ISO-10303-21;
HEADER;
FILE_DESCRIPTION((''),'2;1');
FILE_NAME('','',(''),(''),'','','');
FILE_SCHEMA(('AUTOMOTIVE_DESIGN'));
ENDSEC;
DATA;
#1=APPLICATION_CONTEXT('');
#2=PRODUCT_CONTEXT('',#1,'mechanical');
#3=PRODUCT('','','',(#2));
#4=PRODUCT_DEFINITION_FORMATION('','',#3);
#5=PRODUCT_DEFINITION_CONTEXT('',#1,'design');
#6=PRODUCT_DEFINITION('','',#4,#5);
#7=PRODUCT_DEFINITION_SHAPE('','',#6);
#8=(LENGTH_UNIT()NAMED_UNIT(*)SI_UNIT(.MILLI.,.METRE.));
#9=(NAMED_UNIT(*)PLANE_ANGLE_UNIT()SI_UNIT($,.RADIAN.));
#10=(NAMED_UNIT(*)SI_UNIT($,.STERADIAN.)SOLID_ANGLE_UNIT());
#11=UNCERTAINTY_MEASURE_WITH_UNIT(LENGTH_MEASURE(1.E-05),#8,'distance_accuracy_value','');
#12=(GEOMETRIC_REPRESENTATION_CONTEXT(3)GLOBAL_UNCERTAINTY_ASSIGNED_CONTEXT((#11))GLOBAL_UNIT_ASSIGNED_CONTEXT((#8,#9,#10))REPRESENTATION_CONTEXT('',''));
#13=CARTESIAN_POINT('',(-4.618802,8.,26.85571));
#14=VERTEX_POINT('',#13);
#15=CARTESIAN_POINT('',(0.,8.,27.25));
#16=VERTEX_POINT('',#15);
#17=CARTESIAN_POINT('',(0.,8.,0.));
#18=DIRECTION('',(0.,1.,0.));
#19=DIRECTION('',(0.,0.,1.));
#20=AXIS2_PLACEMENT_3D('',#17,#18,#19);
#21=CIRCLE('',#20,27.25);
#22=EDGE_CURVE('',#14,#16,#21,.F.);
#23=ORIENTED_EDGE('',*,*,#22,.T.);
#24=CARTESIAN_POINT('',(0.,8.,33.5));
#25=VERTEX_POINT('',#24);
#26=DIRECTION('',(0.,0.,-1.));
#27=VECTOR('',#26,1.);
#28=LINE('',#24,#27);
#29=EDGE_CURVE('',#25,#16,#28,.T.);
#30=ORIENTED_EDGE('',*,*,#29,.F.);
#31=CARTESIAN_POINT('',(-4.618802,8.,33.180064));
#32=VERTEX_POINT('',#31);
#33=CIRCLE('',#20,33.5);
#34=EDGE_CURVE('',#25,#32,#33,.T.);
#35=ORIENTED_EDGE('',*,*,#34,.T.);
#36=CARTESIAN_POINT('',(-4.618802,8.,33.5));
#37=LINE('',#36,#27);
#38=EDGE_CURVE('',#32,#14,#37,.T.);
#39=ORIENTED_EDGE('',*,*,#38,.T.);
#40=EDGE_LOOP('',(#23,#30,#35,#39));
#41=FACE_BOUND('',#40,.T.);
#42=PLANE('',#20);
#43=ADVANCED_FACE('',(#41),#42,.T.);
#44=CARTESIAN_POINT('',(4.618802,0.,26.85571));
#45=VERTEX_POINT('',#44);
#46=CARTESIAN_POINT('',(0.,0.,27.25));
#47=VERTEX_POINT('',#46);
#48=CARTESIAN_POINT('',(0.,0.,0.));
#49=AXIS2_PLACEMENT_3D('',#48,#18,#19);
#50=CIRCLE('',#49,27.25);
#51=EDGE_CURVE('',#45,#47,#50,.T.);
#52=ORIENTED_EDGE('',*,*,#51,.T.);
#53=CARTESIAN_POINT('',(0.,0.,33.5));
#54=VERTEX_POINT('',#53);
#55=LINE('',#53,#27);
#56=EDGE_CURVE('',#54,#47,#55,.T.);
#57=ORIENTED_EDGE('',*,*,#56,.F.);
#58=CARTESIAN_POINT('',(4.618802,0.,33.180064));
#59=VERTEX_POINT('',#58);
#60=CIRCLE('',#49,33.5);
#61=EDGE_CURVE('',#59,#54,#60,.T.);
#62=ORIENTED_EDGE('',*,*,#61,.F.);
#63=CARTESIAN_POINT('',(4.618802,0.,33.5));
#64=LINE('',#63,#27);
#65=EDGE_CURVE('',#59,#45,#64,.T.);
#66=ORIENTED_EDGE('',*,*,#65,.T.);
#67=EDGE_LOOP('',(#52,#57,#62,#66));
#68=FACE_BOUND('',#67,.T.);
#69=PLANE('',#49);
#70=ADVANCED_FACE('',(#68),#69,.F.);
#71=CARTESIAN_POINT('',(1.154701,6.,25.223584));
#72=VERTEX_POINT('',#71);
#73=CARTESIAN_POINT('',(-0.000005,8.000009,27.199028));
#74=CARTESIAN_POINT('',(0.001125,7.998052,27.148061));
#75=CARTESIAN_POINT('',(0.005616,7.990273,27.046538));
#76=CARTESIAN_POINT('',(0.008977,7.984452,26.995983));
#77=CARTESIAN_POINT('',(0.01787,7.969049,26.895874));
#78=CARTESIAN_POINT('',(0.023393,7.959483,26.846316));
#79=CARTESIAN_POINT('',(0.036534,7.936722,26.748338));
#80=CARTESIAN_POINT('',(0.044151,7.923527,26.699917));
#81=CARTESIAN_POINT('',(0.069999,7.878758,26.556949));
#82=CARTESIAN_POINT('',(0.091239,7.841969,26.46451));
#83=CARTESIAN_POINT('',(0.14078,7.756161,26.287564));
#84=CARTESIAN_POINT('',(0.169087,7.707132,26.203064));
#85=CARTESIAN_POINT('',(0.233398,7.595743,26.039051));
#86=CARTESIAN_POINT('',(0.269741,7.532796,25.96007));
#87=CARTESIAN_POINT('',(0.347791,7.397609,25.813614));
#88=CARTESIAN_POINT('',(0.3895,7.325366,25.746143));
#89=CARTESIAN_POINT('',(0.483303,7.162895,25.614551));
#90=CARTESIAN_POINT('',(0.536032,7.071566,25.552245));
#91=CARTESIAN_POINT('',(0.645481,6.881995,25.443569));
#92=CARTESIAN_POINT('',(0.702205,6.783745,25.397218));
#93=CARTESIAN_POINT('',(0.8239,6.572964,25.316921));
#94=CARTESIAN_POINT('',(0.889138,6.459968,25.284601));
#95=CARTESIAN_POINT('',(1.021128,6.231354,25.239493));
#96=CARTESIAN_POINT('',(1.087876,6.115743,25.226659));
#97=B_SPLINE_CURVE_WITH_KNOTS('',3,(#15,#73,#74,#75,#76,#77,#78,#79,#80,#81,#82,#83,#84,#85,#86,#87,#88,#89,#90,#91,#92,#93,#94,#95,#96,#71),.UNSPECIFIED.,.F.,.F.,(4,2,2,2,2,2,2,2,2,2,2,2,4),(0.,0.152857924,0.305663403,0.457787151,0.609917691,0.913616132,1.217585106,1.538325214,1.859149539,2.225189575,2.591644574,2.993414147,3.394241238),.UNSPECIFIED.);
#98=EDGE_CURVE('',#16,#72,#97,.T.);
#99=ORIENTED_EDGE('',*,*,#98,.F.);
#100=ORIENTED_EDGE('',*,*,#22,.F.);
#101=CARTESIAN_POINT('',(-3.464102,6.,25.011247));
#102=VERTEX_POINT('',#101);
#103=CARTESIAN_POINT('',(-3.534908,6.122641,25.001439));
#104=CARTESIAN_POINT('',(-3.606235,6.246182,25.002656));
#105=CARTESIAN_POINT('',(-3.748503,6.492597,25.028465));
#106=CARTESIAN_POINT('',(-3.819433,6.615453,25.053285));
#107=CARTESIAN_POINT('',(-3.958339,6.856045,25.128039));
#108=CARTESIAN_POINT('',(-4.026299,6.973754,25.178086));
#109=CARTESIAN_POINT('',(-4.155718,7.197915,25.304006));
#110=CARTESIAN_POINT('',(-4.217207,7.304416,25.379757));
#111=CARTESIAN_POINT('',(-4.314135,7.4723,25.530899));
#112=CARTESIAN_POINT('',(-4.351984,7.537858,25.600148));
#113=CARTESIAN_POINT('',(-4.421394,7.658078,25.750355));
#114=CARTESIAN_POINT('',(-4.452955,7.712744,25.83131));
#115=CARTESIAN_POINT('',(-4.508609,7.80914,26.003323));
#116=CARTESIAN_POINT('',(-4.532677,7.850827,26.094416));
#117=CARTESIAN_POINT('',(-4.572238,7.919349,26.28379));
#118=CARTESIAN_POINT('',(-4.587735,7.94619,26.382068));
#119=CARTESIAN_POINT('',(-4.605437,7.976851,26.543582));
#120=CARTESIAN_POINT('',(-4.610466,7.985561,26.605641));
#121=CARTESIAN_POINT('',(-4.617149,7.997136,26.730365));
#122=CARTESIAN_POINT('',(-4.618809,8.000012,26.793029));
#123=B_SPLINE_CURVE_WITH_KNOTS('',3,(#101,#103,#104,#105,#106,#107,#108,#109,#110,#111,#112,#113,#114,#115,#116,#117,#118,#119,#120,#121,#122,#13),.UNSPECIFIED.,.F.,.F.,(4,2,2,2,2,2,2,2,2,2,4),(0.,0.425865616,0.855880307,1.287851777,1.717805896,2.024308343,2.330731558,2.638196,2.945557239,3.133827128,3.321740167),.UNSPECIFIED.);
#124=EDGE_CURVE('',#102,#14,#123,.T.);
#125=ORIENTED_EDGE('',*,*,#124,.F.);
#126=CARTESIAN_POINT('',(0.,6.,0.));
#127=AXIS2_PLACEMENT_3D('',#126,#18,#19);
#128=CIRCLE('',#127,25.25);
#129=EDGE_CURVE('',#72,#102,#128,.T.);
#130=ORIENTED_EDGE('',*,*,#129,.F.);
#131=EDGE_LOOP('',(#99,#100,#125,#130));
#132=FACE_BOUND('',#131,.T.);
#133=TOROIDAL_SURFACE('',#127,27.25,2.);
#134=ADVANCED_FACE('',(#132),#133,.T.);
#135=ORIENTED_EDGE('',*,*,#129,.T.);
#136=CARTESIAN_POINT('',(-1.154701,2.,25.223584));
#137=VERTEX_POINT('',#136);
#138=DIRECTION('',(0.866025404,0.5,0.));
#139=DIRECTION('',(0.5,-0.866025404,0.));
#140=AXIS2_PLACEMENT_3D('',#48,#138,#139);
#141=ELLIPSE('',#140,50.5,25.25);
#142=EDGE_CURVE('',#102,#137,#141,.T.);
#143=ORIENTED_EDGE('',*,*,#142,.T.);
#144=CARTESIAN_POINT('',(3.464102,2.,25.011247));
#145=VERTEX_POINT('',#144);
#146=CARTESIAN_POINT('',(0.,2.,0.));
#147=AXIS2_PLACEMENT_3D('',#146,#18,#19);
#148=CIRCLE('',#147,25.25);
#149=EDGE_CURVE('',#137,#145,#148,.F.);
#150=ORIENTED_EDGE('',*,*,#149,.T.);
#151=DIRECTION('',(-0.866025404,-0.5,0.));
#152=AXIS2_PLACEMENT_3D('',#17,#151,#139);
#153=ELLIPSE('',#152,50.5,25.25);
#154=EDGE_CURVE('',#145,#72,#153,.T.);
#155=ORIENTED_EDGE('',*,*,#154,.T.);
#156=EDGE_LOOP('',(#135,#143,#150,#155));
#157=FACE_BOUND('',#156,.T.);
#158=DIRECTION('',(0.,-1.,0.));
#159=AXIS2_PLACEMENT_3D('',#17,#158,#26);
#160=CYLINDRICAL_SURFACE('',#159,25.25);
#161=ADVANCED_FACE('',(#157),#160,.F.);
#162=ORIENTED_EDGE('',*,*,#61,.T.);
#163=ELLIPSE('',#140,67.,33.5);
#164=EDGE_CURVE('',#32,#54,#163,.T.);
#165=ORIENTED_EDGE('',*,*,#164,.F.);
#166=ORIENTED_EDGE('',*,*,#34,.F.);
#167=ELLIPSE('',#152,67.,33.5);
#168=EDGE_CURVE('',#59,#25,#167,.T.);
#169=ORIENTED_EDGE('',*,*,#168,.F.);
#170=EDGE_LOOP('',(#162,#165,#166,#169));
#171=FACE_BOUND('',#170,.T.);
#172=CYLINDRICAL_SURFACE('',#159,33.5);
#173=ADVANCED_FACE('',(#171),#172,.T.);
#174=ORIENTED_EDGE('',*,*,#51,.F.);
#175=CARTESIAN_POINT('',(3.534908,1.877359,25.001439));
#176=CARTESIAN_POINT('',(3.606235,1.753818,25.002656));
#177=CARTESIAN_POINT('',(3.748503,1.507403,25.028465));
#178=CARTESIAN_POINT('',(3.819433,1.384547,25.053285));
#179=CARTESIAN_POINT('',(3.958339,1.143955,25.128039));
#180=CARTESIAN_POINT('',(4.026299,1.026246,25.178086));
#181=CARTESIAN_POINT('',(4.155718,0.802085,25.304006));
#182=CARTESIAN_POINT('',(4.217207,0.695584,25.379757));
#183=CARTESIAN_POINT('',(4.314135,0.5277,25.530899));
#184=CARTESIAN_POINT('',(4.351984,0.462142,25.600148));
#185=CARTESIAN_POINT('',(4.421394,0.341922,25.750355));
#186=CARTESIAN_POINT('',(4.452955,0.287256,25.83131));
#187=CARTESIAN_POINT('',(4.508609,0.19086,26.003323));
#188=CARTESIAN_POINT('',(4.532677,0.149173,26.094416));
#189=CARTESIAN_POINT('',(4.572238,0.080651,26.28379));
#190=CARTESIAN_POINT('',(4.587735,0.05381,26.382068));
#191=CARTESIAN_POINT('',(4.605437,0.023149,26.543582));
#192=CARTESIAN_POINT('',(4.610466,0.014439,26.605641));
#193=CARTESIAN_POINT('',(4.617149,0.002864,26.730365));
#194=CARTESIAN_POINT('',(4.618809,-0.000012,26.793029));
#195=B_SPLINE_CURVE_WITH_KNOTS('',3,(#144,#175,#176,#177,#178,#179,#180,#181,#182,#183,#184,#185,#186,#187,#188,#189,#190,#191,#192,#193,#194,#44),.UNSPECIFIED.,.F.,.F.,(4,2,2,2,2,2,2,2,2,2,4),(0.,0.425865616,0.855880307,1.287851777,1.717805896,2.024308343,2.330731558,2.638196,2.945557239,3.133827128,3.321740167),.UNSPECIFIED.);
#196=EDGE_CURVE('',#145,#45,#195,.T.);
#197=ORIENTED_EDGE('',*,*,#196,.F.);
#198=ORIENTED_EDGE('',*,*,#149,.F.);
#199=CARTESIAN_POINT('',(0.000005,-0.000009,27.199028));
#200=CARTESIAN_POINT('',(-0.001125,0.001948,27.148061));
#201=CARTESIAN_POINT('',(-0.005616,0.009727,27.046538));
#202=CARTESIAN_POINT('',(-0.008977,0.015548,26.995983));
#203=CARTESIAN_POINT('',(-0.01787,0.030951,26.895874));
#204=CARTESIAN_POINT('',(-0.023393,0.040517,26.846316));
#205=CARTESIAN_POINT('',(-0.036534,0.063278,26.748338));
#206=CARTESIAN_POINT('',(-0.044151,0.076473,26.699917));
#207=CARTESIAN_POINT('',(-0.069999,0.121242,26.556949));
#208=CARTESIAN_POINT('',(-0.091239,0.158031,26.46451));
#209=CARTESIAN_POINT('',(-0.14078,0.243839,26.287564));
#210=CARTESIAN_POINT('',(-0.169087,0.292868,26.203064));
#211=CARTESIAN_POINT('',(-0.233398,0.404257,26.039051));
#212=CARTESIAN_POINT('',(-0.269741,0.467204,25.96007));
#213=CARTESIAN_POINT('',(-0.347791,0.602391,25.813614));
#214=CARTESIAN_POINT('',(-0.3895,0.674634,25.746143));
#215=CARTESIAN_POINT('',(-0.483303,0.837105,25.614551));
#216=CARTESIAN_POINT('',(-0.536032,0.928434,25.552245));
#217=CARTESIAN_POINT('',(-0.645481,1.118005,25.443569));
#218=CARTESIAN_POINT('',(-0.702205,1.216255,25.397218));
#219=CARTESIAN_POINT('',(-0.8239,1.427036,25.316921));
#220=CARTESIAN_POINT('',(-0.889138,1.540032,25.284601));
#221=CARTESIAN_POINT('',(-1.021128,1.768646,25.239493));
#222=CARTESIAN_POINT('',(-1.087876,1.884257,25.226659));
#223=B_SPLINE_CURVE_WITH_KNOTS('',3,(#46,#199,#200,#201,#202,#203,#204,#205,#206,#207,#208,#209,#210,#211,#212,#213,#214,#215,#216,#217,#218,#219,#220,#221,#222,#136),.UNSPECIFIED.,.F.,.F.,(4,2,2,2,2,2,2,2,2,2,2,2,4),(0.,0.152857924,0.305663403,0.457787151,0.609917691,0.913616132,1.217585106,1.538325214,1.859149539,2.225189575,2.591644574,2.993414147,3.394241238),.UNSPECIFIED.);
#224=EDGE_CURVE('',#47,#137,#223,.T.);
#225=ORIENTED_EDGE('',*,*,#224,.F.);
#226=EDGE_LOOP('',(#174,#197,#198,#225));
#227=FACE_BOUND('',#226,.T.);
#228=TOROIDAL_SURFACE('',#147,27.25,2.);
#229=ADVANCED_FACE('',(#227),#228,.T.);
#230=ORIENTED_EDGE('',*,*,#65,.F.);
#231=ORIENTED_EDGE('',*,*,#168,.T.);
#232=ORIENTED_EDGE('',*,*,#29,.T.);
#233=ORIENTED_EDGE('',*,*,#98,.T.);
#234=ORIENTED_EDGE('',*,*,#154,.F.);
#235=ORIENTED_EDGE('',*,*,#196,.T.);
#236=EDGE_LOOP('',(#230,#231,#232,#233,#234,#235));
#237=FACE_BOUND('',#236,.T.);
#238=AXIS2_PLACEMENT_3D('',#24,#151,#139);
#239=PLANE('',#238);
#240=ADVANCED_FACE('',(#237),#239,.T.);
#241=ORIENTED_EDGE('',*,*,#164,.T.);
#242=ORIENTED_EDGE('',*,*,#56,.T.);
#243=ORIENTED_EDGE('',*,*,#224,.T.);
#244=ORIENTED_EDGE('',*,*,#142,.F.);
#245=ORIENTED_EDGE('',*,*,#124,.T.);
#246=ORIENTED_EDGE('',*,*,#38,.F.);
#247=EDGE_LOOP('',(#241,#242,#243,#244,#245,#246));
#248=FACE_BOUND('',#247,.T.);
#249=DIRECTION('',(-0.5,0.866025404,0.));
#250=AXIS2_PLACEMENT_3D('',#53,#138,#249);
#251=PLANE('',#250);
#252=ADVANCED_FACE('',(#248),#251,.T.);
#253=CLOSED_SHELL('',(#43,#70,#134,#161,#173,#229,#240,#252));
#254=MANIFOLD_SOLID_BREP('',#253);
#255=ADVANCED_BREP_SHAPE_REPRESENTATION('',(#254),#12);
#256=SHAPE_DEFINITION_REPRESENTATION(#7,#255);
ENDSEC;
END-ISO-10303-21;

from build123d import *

# Parameters (mm, degrees)
BODYSKE_R      = 33.5
BODYSKE_R_2    = 25.25
BASEBODY_DEPTH = 8
SLIT_DEPTH     = 49.046852134
FILLET1_R      = 2


with BuildPart() as part:
    # BodySke → BaseBody (new body)
    with BuildSketch(Plane(origin=(0, 0, 0), x_dir=(1, 0, 0), z_dir=(0, 1, 0))):
        with Locations(Location((0, 0, 0), (0, 0, 270))):
            Circle(BODYSKE_R)
        with Locations(Location((0, 0, 0), (0, 0, 270))):
            Circle(BODYSKE_R_2, mode=Mode.SUBTRACT)
    extrude(amount=BASEBODY_DEPTH)

    # SlitSke → Slit (cut, through all)
    with BuildSketch(Plane.XY):
        Polygon((0, 0), (-4.618802154, 8), (0, 8), (4.618802154, 0), align=None)
    extrude(amount=SLIT_DEPTH, mode=Mode.SUBTRACT)

    # Fillet1
    fillet1_edges = [part.edges().sort_by_distance(p)[0] for p in [
        (-2.319204626, 0, -25.143265299),
        (2.319204626, 8, -25.143265299),
    ]]
    fillet(fillet1_edges, radius=FILLET1_R)


solid = part.part
